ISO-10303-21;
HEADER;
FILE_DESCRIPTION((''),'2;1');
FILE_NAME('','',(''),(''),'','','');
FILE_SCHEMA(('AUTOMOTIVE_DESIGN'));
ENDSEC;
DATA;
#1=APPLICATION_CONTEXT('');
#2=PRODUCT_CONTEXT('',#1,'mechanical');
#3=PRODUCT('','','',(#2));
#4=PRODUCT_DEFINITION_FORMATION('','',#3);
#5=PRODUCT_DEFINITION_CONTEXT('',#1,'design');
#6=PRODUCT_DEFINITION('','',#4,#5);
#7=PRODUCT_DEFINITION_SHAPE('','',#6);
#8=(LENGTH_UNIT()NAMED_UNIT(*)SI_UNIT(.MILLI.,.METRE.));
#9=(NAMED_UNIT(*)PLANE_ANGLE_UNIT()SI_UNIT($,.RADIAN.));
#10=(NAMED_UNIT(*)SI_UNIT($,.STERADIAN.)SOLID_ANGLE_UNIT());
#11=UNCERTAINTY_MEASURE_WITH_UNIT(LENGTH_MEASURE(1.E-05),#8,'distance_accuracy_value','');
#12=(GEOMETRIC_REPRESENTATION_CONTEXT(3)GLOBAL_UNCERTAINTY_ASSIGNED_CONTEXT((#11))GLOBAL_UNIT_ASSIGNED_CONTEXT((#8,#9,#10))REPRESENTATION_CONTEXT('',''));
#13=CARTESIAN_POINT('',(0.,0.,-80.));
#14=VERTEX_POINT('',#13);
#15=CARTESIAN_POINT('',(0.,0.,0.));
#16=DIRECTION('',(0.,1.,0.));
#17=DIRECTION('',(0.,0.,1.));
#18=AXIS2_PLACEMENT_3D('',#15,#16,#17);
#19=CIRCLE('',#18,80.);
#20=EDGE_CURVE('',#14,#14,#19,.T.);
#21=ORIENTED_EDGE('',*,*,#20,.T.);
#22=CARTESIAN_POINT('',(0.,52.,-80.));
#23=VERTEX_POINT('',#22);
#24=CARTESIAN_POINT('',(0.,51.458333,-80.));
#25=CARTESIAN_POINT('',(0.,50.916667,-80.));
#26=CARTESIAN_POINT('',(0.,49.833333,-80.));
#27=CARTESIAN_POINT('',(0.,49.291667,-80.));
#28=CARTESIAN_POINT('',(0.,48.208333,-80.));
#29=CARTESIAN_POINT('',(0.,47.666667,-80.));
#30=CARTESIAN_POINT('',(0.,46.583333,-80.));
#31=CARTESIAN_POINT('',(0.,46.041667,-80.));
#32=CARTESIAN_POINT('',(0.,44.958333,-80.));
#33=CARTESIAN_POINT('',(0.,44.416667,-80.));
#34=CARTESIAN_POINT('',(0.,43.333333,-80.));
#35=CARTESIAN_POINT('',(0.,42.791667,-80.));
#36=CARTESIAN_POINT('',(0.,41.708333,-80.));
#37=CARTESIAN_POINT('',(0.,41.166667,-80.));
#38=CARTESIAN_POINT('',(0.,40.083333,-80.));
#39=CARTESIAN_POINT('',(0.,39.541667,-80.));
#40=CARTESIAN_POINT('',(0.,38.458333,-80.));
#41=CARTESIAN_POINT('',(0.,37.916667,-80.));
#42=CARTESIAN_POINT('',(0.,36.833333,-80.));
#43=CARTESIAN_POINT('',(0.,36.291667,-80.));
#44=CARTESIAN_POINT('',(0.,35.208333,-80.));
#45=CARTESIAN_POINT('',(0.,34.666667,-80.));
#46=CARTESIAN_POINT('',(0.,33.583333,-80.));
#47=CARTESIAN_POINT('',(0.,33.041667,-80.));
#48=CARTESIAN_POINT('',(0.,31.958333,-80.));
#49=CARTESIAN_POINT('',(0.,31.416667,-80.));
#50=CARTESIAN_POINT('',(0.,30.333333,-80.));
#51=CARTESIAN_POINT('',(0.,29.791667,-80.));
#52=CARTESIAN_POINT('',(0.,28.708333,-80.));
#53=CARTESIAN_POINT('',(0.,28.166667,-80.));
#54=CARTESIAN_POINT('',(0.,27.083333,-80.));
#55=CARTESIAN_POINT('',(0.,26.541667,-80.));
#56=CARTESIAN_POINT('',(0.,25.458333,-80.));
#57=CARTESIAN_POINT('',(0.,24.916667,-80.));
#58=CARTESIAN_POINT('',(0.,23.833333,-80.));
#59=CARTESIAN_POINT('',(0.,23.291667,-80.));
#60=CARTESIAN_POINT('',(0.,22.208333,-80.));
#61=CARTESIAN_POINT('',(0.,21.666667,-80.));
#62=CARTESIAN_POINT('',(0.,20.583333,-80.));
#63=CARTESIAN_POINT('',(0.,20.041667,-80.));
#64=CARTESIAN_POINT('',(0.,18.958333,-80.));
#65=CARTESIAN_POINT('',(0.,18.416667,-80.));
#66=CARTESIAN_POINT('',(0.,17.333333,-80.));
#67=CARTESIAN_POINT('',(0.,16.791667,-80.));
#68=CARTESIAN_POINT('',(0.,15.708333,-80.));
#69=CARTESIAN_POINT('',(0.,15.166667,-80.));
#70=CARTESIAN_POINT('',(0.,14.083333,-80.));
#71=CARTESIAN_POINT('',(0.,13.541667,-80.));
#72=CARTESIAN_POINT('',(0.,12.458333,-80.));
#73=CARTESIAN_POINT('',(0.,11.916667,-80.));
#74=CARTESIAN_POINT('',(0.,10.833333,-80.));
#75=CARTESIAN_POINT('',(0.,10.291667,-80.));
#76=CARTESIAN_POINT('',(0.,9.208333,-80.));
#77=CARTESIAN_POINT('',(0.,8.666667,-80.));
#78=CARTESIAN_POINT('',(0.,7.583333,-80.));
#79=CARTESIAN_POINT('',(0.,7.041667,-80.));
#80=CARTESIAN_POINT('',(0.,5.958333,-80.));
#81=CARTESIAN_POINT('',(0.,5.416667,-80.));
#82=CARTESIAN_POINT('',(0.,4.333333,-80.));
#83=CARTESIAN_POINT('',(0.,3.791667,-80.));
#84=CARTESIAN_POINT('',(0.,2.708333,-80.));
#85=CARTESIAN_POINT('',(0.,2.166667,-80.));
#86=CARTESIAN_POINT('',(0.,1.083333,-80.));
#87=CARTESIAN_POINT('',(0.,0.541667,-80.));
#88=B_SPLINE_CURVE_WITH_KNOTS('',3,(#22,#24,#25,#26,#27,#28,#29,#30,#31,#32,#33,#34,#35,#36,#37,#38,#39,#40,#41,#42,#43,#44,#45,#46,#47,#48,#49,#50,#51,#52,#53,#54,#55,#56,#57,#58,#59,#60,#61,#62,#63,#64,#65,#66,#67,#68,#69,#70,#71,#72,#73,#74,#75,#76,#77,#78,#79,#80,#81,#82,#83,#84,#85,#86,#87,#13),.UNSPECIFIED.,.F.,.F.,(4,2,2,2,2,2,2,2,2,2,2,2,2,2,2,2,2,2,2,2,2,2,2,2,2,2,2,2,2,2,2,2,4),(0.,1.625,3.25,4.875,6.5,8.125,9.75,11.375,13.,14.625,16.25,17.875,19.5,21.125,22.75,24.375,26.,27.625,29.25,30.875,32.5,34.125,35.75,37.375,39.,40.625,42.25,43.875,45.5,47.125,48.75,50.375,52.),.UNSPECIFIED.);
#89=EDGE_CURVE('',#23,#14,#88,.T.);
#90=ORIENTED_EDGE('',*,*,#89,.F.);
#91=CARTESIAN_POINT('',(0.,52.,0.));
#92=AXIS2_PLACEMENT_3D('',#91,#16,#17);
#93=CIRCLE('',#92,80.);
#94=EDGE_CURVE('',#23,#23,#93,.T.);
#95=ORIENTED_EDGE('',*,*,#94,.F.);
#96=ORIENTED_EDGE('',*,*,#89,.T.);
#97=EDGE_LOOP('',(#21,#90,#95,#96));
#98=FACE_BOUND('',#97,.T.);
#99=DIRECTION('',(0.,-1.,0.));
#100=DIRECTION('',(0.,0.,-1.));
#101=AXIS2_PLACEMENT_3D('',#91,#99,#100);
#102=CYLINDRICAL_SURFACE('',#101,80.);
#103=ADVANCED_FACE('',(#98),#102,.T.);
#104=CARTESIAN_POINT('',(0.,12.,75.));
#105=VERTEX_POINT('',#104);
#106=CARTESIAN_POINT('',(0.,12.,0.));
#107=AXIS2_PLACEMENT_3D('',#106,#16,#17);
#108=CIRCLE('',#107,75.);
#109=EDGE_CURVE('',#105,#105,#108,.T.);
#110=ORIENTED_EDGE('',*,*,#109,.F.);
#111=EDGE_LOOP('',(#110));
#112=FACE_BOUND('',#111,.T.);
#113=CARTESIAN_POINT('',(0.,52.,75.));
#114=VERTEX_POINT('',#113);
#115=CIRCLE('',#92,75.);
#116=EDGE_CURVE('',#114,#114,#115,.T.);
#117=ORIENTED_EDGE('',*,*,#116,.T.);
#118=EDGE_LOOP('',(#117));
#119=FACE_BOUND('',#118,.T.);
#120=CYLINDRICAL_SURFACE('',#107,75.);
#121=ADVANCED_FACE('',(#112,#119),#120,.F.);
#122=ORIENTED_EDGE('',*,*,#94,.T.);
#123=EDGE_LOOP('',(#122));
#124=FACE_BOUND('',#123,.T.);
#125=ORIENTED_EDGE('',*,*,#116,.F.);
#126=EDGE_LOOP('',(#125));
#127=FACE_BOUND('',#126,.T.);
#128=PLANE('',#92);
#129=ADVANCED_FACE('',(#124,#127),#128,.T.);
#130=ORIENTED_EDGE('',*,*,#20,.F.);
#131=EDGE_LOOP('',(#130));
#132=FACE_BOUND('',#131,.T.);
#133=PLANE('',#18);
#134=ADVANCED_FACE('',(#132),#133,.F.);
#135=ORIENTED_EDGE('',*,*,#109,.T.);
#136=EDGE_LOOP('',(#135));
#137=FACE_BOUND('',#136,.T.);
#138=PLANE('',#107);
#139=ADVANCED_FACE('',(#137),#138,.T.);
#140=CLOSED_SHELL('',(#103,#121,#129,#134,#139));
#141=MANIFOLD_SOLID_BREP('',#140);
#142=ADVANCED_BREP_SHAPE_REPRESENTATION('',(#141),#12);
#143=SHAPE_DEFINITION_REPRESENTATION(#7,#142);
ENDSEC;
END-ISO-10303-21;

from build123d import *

# Parameters (mm, degrees)
SZKIC2_R                    = 80
DODANIE_WYCI_GNI_CIE1_DEPTH = 52
SZKIC3_R                    = 75
WYTNIJ_WYCI_GNI_CIE1_DEPTH  = 40


with BuildPart() as part:
    # Szkic2 → Dodanie-wyciągnięcie1 (new body)
    with BuildSketch(Plane(origin=(0, 0, 0), x_dir=(1, 0, 0), z_dir=(0, 1, 0))):
        with Locations(Location((0, 0, 0), (0, 0, 90))):
            Circle(SZKIC2_R)
    extrude(amount=DODANIE_WYCI_GNI_CIE1_DEPTH)

    # Szkic3 → Wytnij-wyciągnięcie1 (cut)
    with BuildSketch(Plane(origin=(0, 52, 0), x_dir=(1, 0, 0), z_dir=(0, 1, 0))):
        with Locations(Location((0, 0, 0), (0, 0, 270))):
            Circle(SZKIC3_R)
    extrude(amount=-WYTNIJ_WYCI_GNI_CIE1_DEPTH, mode=Mode.SUBTRACT)


solid = part.part
